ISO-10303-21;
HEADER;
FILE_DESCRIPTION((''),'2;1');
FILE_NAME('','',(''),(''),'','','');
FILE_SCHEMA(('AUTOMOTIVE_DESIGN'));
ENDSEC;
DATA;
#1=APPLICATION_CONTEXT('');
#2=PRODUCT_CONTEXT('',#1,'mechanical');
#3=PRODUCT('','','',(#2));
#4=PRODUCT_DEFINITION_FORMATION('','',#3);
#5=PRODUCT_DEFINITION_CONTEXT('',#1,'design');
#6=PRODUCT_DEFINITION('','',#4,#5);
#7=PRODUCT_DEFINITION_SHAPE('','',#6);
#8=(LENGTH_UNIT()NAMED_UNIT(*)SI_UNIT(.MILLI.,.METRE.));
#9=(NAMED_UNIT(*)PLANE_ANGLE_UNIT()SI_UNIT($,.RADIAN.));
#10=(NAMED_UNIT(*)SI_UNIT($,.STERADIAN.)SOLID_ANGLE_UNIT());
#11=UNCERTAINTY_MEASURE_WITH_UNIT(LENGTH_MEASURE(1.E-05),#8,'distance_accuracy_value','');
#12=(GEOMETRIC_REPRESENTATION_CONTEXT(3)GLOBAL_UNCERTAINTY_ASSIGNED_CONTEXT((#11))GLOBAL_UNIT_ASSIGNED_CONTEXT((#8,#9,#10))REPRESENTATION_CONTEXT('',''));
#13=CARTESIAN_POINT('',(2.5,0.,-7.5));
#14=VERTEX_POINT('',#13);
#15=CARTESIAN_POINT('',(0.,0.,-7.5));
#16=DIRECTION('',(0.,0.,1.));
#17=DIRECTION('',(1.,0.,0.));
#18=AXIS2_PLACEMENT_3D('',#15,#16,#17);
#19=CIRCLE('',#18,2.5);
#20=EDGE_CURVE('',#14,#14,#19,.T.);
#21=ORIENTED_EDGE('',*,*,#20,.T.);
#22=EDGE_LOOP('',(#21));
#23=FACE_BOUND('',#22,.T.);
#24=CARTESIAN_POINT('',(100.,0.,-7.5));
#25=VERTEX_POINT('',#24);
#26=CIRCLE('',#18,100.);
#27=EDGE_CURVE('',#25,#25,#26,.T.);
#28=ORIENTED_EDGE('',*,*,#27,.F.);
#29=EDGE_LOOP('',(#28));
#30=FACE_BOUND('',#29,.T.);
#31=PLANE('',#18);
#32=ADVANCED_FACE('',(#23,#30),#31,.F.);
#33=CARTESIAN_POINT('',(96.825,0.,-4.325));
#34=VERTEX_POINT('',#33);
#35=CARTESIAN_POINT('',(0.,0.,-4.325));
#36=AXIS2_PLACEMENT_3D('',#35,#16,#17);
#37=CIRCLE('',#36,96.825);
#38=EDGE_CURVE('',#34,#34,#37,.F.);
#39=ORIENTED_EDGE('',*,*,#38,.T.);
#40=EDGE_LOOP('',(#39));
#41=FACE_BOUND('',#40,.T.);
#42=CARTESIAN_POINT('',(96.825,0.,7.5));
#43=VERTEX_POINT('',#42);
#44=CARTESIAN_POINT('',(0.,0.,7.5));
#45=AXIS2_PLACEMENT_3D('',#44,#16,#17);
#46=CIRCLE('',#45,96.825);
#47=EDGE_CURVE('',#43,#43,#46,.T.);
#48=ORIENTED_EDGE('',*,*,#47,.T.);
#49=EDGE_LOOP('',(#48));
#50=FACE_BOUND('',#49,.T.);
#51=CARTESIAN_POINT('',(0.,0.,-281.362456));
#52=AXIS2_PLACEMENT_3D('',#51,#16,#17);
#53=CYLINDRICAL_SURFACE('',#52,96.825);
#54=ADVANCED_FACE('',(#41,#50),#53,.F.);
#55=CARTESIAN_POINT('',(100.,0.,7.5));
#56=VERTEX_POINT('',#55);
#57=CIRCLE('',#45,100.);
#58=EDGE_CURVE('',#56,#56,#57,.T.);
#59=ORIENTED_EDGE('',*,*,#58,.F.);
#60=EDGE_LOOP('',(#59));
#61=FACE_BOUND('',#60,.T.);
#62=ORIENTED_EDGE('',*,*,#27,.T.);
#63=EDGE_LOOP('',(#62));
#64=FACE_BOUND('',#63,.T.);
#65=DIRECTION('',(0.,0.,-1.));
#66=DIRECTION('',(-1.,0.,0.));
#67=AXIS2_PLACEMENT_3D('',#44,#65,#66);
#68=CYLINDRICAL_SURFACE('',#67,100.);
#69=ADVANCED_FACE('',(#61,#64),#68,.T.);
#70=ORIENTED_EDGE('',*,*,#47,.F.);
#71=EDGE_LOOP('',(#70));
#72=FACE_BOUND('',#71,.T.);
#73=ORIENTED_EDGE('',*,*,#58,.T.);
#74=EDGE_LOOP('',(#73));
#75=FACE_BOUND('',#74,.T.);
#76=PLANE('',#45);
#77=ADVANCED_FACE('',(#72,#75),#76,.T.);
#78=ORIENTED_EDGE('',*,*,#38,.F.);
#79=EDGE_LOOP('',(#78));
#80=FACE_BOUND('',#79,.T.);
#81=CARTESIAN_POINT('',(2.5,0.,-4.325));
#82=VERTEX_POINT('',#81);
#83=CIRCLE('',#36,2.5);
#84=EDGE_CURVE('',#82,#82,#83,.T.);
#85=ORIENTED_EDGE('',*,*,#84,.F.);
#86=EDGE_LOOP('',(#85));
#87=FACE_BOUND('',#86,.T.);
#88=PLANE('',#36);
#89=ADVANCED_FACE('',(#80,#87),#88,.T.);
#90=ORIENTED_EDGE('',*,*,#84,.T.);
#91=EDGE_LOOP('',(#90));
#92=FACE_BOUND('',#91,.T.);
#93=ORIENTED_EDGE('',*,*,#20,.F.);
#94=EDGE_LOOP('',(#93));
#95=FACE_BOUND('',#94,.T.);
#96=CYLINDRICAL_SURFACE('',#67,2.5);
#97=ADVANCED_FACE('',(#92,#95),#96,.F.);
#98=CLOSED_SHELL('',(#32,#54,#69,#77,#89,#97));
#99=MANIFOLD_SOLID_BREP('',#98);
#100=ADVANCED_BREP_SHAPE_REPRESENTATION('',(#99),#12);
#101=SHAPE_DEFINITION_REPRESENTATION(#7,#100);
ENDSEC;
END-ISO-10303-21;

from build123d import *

# Parameters (mm, degrees)
SKETCH1_R           = 100
SKETCH1_R_2         = 2.5
BOSS_EXTRUDE1_DEPTH = 7.5
SKETCH2_R           = 96.825
CUT_EXTRUDE1_DEPTH  = 11.825


with BuildPart() as part:
    # Sketch1 → Boss-Extrude1 (new, symmetric)
    with BuildSketch(Plane.XY):
        Circle(SKETCH1_R)
        Circle(SKETCH1_R_2, mode=Mode.SUBTRACT)
    extrude(amount=BOSS_EXTRUDE1_DEPTH, both=True)

    # Sketch2 → Cut-Extrude1 (cut)
    with BuildSketch(Plane.XY.offset(7.5)):
        Circle(SKETCH2_R)
    extrude(amount=-CUT_EXTRUDE1_DEPTH, mode=Mode.SUBTRACT)


solid = part.part
